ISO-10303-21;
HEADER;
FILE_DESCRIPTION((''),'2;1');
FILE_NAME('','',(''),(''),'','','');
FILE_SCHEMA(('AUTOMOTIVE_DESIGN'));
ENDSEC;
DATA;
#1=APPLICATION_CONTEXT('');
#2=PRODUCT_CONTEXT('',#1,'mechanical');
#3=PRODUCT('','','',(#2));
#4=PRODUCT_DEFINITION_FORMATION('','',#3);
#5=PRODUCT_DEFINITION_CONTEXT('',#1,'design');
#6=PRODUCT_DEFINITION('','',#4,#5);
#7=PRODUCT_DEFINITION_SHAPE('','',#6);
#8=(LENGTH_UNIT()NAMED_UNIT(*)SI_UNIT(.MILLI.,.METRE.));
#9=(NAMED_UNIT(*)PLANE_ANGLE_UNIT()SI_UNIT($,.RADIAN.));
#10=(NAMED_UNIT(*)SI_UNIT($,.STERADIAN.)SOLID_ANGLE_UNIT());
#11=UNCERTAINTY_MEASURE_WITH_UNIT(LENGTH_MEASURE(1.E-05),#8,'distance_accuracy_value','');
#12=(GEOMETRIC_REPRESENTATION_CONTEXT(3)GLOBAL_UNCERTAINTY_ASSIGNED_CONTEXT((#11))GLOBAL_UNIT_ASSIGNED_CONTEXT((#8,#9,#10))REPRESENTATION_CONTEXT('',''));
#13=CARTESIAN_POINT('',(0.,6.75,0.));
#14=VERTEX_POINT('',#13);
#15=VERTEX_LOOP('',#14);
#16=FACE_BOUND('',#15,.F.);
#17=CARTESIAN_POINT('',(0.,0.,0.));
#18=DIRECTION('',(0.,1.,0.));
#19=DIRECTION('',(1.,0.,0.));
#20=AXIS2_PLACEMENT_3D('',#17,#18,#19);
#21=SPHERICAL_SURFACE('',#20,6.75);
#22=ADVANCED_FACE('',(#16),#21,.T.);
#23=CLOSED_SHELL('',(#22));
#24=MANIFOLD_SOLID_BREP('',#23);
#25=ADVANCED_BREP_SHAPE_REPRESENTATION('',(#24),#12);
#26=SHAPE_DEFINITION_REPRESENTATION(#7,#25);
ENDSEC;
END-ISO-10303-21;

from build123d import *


with BuildPart() as part:
    # Croquis1 → Revolución1 (revolve)
    with BuildSketch(Plane.XY):
        with BuildLine():
            Line((0, 6.75), (0, -6.75))
            ThreePointArc((0, -6.75), (6.75, 0), (0, 6.75))
        make_face()
    revolve(axis=Axis((0, 6.75, 0), (0, -1, 0)))


solid = part.part
